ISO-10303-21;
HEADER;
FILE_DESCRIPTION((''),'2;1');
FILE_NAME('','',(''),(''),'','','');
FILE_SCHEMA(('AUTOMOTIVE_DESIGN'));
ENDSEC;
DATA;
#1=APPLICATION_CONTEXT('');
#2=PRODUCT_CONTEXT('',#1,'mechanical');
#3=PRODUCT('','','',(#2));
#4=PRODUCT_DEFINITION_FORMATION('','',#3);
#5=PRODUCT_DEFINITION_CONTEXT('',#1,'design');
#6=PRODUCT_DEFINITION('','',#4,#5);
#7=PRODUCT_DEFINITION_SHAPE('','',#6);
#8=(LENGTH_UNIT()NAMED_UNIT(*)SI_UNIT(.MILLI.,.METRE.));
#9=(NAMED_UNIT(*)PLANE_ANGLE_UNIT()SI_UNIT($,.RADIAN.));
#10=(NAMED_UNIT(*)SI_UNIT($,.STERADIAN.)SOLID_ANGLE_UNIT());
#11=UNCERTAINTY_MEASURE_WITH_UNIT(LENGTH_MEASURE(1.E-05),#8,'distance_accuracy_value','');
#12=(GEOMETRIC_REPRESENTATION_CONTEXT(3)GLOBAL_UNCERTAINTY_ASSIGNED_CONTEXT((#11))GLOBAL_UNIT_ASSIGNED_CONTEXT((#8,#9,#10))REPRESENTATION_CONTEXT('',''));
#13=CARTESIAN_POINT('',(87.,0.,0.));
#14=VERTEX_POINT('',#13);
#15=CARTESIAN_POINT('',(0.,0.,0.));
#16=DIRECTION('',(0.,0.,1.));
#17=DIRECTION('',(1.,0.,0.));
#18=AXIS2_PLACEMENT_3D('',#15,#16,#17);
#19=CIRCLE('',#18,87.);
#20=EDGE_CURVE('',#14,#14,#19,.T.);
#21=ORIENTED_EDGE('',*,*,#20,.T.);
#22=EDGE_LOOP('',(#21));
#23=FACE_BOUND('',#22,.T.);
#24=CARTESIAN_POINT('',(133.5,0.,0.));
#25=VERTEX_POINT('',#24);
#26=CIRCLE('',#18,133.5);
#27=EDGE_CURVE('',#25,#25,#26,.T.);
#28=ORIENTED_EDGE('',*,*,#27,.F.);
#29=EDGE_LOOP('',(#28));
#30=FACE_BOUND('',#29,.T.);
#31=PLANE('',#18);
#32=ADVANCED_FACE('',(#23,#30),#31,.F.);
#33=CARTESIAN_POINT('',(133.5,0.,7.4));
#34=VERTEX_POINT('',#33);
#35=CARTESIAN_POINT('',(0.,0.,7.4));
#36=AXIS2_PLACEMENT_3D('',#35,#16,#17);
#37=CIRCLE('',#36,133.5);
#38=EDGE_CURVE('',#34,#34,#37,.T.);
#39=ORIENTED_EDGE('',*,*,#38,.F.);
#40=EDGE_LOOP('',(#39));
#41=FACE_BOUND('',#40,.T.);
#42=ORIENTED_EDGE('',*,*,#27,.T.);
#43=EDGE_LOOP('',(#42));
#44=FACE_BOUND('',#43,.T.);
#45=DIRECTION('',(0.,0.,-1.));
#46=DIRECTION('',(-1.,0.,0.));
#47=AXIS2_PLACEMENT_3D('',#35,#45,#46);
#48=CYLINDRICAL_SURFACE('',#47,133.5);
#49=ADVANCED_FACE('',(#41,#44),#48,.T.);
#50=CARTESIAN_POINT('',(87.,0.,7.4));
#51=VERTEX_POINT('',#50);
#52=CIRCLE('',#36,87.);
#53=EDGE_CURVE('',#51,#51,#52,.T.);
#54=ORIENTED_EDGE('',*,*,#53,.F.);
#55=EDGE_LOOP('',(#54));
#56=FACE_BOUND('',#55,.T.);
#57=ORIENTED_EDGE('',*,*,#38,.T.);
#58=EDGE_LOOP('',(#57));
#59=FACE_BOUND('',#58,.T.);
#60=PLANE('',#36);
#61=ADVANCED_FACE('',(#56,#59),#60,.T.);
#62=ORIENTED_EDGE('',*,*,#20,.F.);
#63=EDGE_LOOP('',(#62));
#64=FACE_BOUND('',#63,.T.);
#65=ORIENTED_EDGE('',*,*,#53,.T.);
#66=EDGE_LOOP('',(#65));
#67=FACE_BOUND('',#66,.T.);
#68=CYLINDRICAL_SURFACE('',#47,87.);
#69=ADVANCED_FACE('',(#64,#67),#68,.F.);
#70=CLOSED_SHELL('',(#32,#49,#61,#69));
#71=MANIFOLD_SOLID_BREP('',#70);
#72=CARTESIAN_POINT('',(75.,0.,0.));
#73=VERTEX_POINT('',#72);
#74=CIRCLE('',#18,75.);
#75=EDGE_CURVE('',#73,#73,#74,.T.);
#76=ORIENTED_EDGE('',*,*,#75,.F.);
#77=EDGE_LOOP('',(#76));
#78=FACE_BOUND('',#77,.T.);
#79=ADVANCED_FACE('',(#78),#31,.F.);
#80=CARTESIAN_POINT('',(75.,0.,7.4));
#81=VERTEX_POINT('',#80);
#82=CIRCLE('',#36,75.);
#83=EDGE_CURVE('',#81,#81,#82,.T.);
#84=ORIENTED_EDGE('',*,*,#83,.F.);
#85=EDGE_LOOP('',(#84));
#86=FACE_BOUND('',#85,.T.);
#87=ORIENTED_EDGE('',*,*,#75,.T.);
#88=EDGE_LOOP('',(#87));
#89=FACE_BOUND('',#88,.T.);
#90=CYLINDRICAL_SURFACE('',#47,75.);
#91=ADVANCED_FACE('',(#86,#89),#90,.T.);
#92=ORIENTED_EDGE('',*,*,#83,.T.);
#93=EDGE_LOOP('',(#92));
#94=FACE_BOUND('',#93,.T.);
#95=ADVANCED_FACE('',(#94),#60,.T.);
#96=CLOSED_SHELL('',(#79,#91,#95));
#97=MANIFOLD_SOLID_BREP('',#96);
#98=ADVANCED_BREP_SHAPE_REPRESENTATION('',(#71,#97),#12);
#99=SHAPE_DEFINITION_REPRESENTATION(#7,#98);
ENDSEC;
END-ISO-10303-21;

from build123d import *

# Parameters (mm, degrees)
SKETCH1_R           = 75
BOSS_EXTRUDE1_DEPTH = 7.4
SKETCH1_3_R         = 133.5
SKETCH1_3_R_2       = 87
BOSS_EXTRUDE2_DEPTH = 7.4


with BuildPart() as part:
    # Sketch1 → Boss-Extrude1 (new body)
    with BuildSketch(Plane.XY):
        Circle(SKETCH1_R)
    extrude(amount=BOSS_EXTRUDE1_DEPTH)


with BuildPart() as body_2:
    # Sketch1<3> → Boss-Extrude2 (new body)
    with BuildSketch(Plane.XY):
        Circle(SKETCH1_3_R)
        Circle(SKETCH1_3_R_2, mode=Mode.SUBTRACT)
    extrude(amount=BOSS_EXTRUDE2_DEPTH)


solid = Compound([part.part, body_2.part])
